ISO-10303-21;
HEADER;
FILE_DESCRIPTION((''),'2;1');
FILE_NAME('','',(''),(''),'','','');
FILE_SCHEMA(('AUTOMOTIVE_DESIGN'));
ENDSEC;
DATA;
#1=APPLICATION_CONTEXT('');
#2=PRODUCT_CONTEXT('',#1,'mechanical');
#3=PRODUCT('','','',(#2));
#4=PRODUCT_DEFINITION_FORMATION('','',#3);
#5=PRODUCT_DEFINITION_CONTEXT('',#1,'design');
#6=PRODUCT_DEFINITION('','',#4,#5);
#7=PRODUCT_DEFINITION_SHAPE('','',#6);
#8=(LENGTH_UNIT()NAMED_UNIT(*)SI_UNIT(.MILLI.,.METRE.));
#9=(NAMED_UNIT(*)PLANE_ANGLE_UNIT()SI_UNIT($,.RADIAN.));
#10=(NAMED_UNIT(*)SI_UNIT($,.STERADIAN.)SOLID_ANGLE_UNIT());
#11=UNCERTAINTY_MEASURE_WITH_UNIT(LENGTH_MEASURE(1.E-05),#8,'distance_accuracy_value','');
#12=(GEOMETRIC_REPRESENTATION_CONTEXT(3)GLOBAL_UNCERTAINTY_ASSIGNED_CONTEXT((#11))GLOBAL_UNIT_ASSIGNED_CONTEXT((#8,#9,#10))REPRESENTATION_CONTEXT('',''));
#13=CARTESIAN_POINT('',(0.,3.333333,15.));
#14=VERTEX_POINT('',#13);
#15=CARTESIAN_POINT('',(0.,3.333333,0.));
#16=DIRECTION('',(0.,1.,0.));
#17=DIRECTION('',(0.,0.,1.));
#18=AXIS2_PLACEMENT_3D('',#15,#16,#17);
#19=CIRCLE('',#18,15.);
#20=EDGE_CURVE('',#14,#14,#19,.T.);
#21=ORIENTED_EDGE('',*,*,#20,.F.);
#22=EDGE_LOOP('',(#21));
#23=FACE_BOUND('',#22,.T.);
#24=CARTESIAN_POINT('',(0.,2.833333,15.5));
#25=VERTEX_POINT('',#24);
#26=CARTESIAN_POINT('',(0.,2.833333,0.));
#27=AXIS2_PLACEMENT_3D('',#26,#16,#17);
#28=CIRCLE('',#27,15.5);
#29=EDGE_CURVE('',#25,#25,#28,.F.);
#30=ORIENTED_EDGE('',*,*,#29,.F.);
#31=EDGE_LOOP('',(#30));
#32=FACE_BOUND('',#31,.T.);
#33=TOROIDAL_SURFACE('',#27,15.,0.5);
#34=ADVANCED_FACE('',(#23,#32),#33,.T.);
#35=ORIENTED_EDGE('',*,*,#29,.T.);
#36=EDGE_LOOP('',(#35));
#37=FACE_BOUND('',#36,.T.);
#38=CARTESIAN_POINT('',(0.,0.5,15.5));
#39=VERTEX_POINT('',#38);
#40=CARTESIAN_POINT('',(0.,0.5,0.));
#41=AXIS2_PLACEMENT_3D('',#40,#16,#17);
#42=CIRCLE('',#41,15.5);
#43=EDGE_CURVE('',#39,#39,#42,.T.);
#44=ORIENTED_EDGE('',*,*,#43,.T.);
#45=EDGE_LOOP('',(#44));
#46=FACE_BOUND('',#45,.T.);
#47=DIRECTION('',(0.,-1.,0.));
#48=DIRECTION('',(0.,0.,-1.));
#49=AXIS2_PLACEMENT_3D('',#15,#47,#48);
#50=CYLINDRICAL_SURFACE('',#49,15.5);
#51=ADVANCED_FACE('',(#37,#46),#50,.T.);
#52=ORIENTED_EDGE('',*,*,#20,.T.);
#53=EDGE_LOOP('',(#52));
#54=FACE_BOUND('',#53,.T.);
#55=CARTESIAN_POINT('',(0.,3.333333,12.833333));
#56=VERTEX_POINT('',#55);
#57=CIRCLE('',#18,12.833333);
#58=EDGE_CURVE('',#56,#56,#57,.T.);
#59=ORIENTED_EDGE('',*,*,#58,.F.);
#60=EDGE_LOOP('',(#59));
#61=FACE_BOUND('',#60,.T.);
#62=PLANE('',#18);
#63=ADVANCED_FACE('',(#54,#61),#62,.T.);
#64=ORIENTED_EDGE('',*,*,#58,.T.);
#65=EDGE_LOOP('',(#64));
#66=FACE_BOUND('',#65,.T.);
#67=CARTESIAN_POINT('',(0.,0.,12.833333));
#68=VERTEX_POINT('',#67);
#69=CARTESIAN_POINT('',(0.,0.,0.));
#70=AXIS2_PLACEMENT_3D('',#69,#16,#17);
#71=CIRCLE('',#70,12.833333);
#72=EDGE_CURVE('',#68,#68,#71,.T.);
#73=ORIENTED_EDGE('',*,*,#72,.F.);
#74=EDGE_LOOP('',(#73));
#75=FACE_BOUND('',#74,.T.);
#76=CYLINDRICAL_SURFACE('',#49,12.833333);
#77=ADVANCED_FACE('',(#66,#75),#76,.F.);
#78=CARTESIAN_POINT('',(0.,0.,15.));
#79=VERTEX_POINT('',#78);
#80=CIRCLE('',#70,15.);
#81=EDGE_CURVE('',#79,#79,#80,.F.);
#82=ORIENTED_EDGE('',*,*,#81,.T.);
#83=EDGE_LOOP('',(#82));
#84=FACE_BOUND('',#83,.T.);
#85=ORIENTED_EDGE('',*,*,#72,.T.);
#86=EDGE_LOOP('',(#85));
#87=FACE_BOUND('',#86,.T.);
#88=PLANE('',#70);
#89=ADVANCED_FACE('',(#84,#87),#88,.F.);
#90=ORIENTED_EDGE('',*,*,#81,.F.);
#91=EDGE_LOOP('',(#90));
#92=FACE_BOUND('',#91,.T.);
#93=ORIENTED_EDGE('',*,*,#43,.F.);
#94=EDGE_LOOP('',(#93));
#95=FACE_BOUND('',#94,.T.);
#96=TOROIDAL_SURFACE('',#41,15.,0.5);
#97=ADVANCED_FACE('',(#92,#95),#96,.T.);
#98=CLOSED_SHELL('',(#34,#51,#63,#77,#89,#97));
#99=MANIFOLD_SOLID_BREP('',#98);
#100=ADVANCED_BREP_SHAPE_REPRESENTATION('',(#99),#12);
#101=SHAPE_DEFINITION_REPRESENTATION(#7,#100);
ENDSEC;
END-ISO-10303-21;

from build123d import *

# Parameters (mm, degrees)
SKETCH1_R           = 15.5
SKETCH1_R_2         = 12.833333333
BOSS_EXTRUDE2_DEPTH = 3.333333333
FILLET1_R           = 0.5


with BuildPart() as part:
    # Sketch1 → Boss-Extrude2 (new body)
    with BuildSketch(Plane(origin=(0, 0, 0), x_dir=(1, 0, 0), z_dir=(0, 1, 0))):
        Circle(SKETCH1_R)
        Circle(SKETCH1_R_2, mode=Mode.SUBTRACT)
    extrude(amount=BOSS_EXTRUDE2_DEPTH)

    # Fillet1
    fillet1_edges = [part.edges().sort_by_distance(p)[0] for p in [
        (-15.5, 0, 0),
        (-15.5, 3.333333333, 0),
    ]]
    fillet(fillet1_edges, radius=FILLET1_R)


solid = part.part
